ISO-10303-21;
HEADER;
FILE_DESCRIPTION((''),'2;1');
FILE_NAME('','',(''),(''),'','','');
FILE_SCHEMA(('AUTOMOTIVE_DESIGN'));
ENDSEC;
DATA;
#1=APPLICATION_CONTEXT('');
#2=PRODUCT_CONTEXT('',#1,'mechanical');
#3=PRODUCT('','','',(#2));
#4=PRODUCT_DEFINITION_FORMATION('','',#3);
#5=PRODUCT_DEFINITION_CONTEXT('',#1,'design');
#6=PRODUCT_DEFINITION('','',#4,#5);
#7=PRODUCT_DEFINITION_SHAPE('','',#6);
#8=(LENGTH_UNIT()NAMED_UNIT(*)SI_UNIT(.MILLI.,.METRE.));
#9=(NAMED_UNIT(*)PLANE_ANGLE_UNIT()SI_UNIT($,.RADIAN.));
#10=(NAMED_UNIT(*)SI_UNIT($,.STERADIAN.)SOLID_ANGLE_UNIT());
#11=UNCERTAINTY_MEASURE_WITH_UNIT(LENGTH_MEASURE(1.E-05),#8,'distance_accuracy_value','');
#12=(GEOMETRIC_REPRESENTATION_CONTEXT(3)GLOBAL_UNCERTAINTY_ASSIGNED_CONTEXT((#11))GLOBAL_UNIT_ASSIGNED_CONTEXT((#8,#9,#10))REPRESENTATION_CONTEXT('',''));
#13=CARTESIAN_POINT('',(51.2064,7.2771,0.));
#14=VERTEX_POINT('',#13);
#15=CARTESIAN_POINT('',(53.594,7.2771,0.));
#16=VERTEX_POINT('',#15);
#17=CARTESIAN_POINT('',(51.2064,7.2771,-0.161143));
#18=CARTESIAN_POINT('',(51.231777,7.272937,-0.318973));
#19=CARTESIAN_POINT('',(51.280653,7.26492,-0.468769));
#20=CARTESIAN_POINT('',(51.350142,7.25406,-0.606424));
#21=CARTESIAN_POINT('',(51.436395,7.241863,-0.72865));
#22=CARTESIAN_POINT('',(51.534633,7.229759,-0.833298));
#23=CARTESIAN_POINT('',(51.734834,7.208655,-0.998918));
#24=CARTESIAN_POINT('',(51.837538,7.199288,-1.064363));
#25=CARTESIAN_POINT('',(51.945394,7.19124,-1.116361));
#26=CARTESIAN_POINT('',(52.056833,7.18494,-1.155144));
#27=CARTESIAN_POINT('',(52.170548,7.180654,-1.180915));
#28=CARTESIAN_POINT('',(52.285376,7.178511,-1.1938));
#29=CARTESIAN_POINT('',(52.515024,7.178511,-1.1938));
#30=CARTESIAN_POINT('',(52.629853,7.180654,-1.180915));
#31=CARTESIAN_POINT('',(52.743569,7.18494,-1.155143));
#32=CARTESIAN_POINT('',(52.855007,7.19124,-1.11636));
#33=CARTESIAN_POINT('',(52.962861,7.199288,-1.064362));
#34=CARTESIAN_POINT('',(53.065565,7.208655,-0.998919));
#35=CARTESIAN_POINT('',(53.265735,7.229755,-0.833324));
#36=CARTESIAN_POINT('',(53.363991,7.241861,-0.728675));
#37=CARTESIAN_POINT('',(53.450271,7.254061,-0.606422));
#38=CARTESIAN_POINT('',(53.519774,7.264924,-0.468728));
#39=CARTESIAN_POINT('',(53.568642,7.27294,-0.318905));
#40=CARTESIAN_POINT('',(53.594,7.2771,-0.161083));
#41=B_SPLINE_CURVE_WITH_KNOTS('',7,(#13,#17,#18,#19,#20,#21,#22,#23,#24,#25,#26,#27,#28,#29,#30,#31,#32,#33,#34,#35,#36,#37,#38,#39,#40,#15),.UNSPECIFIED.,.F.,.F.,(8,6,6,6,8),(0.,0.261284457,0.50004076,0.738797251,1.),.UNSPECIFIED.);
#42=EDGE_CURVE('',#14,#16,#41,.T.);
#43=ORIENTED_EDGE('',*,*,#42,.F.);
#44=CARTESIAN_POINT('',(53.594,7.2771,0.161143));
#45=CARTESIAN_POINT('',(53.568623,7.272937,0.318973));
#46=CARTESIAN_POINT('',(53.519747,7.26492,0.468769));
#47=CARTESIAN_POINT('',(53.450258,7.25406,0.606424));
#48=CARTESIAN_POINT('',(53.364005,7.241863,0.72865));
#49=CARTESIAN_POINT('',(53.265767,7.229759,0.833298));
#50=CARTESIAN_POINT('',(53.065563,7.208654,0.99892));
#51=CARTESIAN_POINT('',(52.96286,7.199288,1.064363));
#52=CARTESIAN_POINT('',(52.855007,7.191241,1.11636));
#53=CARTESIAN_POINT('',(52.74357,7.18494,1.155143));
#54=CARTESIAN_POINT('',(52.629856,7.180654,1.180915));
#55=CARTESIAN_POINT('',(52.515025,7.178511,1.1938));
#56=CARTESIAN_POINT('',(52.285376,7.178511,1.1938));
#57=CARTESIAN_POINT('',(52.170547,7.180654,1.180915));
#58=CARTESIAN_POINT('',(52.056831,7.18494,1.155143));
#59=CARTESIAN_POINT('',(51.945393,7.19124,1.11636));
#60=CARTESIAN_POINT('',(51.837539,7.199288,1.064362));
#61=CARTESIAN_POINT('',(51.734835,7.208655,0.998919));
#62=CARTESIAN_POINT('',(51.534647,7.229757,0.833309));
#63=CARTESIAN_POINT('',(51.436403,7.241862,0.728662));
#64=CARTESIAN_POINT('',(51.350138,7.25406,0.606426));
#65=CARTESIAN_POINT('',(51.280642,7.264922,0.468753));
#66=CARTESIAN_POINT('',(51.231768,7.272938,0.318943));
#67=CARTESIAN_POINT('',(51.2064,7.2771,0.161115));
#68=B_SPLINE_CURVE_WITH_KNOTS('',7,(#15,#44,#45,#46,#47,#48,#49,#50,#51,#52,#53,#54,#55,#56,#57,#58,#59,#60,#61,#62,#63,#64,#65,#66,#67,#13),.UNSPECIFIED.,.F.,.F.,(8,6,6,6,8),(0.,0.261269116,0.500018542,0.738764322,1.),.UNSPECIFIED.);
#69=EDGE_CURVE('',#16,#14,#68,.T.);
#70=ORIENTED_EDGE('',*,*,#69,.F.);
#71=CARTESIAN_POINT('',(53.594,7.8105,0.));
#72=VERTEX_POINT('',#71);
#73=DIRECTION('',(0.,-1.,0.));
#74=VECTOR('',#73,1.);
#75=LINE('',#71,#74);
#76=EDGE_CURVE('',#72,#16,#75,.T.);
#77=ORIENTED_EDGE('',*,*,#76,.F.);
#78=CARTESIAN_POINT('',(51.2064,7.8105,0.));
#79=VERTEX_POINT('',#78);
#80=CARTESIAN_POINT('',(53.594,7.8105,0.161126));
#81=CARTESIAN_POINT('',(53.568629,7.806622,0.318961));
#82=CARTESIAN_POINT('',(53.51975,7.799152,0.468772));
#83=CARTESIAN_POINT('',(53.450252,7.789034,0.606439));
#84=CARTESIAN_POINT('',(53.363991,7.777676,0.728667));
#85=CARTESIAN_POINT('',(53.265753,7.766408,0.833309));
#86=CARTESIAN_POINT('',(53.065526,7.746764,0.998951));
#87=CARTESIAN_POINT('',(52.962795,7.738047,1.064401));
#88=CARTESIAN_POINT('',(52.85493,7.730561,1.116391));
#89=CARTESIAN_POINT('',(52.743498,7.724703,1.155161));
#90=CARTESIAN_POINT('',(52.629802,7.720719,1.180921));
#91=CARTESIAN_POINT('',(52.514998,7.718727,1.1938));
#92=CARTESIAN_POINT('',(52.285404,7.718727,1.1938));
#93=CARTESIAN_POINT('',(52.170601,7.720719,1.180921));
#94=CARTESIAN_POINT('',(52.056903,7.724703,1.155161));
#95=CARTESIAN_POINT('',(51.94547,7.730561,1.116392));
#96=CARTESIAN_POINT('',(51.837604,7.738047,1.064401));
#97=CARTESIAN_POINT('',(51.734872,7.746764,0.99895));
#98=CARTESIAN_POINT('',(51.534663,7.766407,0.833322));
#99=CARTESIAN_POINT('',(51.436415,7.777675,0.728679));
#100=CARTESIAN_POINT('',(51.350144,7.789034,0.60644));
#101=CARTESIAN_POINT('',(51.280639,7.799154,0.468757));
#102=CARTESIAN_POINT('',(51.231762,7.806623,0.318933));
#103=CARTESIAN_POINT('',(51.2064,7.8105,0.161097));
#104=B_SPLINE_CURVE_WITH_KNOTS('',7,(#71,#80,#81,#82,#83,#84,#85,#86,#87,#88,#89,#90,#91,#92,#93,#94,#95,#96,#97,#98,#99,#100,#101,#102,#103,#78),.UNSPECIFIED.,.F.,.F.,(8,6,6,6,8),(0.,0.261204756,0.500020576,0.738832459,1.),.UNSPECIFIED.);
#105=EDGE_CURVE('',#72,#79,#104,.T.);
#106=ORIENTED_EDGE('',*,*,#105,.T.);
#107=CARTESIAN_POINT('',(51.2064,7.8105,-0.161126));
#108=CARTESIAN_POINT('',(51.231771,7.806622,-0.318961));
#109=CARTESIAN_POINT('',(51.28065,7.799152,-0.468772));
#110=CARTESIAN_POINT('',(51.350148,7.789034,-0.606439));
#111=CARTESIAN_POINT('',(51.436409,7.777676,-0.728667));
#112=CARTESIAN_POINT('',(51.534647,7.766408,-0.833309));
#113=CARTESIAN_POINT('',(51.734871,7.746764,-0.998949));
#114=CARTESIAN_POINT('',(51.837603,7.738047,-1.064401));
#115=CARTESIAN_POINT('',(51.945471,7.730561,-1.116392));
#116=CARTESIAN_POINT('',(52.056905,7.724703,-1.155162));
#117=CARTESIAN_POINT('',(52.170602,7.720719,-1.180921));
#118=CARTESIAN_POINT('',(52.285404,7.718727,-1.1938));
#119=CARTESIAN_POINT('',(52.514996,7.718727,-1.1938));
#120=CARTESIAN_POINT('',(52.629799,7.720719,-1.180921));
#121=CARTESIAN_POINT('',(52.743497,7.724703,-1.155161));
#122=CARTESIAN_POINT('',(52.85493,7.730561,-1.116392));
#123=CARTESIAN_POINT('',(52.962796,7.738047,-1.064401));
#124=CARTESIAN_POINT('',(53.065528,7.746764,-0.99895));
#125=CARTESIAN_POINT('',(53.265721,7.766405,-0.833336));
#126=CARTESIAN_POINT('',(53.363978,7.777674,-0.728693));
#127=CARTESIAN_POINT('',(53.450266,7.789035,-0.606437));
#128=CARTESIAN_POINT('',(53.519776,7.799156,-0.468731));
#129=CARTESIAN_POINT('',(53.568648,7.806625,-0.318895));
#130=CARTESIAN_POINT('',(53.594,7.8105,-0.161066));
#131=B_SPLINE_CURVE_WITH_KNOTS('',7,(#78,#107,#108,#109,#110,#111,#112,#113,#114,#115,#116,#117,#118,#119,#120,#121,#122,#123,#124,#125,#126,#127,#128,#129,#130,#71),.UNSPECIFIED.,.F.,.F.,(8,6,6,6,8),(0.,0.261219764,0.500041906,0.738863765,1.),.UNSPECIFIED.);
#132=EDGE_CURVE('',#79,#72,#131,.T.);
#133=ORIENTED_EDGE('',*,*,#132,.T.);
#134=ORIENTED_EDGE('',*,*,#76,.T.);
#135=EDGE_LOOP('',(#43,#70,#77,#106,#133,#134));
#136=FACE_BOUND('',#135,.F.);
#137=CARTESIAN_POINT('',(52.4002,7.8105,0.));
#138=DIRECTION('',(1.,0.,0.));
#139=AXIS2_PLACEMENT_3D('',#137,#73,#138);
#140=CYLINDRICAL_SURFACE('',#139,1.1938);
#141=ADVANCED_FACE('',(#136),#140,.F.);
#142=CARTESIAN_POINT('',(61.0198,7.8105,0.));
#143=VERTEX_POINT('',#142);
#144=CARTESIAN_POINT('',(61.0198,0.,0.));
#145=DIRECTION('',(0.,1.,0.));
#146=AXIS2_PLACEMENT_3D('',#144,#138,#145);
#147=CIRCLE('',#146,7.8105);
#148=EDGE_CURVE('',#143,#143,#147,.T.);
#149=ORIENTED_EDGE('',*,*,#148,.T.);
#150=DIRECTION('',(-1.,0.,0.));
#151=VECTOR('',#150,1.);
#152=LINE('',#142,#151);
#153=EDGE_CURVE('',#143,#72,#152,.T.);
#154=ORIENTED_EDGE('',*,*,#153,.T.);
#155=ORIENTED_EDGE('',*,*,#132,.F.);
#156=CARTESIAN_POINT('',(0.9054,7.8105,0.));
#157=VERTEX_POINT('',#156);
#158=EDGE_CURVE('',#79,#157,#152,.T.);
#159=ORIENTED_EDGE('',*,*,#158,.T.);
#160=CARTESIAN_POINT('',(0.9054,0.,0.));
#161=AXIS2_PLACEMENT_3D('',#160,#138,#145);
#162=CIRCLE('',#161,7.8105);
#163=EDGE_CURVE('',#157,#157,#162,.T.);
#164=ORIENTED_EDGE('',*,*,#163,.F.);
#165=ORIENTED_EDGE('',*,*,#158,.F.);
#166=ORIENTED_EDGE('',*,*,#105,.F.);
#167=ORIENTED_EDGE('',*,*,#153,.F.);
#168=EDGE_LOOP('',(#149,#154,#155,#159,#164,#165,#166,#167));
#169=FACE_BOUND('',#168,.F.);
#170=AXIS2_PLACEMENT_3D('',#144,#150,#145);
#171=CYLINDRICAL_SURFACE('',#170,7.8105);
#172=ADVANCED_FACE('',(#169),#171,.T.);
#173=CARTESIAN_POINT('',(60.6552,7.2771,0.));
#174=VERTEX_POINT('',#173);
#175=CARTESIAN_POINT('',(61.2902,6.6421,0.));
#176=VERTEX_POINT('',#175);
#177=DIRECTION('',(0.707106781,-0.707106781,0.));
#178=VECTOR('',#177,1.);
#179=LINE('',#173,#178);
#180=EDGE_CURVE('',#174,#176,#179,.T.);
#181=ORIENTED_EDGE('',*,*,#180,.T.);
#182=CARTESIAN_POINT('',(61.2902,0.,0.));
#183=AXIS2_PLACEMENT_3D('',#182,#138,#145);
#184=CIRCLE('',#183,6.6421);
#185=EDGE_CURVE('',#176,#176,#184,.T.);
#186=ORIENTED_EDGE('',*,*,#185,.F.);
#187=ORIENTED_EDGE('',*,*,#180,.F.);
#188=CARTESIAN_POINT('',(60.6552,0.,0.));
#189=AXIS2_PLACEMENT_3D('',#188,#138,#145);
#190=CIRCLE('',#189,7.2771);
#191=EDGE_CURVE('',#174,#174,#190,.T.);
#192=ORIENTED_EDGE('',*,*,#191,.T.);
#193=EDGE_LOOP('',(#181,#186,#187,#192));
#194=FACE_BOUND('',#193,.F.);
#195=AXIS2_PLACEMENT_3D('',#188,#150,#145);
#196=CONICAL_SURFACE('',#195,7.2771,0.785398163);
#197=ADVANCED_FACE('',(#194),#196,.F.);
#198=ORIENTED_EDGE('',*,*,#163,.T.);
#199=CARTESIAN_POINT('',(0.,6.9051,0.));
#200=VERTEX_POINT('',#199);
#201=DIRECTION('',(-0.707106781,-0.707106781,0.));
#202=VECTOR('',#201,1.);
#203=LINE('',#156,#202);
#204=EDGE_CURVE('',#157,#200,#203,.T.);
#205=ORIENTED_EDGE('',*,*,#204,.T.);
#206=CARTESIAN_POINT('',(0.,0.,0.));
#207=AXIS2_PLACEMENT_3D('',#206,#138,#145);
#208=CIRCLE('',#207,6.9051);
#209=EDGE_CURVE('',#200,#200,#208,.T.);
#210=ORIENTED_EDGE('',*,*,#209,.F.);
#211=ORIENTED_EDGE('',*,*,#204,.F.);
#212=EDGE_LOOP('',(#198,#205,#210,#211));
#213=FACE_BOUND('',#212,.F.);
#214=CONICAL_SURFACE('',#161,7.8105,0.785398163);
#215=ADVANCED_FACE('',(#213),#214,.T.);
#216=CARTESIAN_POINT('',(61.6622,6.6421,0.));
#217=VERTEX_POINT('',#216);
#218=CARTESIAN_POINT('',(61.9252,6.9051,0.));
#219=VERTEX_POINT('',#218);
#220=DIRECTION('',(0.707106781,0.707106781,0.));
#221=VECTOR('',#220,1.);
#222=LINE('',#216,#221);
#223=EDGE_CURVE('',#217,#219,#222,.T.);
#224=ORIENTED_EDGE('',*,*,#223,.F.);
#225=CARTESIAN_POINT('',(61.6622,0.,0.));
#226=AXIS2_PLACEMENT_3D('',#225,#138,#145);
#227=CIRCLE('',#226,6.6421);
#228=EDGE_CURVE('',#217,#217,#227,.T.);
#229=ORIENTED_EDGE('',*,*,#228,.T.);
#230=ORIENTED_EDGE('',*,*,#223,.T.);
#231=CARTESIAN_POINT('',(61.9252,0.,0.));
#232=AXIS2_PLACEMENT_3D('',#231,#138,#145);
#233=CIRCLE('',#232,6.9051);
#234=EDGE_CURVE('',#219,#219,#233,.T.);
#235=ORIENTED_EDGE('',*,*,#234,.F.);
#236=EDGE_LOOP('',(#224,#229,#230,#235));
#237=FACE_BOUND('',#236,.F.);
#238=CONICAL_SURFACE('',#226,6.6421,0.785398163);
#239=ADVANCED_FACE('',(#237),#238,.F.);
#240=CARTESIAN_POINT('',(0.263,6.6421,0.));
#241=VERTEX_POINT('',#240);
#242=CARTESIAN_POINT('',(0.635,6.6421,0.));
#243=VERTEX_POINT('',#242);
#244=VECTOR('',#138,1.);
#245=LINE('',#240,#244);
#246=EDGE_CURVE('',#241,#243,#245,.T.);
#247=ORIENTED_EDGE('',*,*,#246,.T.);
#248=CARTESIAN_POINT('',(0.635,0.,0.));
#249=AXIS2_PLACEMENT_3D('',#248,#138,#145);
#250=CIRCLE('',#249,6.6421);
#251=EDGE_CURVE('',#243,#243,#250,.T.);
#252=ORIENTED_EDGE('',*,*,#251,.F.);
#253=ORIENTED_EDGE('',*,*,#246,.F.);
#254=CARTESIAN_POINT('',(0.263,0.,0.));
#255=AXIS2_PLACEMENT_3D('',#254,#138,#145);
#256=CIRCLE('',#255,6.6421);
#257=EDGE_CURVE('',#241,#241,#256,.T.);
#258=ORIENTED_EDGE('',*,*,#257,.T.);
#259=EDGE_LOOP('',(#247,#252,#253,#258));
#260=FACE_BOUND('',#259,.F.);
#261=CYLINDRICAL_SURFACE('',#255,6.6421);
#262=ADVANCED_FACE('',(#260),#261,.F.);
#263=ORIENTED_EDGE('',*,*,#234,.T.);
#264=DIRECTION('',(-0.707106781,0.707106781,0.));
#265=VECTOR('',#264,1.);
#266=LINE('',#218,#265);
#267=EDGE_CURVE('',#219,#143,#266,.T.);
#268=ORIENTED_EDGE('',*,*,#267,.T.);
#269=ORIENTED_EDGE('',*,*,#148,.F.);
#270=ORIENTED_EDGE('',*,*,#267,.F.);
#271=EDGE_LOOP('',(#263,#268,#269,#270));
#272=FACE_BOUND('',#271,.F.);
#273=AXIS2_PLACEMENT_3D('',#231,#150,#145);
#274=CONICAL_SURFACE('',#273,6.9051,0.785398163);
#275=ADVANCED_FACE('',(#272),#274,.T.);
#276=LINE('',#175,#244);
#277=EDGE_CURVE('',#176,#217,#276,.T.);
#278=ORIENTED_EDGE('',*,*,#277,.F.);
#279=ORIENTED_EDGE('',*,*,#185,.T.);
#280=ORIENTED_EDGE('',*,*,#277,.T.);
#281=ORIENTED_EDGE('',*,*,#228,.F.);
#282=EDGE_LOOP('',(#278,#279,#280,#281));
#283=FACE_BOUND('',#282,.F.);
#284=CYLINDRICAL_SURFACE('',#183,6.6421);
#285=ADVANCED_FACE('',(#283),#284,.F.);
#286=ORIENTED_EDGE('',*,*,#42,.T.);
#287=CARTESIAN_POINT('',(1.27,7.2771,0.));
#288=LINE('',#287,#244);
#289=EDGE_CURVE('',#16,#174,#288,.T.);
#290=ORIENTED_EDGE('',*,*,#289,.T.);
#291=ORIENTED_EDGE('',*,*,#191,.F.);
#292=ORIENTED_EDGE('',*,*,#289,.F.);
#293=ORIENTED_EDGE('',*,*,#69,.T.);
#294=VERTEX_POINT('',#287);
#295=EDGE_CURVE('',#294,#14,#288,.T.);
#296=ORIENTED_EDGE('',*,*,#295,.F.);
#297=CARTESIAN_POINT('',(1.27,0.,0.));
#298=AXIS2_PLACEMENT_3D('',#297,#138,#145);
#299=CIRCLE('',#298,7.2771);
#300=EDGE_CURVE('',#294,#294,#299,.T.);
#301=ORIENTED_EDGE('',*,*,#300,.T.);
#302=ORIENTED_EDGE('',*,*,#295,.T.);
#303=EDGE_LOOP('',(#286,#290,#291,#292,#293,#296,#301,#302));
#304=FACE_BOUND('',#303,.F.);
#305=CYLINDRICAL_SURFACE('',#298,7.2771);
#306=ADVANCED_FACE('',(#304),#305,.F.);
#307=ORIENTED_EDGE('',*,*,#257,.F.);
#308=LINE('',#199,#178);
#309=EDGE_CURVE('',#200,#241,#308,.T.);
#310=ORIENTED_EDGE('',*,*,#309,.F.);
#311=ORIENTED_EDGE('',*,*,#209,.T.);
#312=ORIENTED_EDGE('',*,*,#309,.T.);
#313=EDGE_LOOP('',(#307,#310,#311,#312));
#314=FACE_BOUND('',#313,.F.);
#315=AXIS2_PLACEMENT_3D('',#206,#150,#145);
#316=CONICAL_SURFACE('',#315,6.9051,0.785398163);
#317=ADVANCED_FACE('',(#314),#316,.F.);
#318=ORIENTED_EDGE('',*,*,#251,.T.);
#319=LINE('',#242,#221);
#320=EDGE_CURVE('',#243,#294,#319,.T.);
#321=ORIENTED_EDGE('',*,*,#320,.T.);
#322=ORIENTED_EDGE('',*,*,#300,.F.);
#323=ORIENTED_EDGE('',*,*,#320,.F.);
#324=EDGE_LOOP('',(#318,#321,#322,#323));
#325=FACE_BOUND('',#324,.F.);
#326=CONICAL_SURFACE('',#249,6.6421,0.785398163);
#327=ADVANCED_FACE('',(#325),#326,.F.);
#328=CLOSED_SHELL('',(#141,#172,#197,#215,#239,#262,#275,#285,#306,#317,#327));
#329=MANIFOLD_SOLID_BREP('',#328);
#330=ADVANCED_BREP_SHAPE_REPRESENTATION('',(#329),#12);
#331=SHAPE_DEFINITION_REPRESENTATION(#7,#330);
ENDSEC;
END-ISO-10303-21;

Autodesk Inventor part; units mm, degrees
sketch "Sketch_5" plane through (0, 0, 0) normal (0, 0, 1) x (1, 0, 0)
  line L0 (61.9252, 0) -> (-61.9252, 0)
  line L1 (0, 6.9051) -> (0.263, 6.6421)
  line L2 (0.263, 6.6421) -> (0.635, 6.6421)
  line L3 (0.635, 6.6421) -> (1.27, 7.2771)
  line L4 (1.27, 7.2771) -> (60.6552, 7.2771)
  line L5 (60.6552, 7.2771) -> (61.2902, 6.6421)
  line L6 (61.2902, 6.6421) -> (61.6622, 6.6421)
  line L7 (61.6622, 6.6421) -> (61.9252, 6.9051)
  line L8 (61.9252, 6.9051) -> (61.0198, 7.8105)
  line L9 (61.0198, 7.8105) -> (0.9054, 7.8105)
  line L10 (0.9054, 7.8105) -> (0, 6.9051)
revolve "Revolution1" add sketch "Sketch_5" angle 360 about axis through (61.9252, 0, 0) along (1, 0, 0)
sketch "Sketch_1" plane through (0, 0, 0) normal (0, 0, 1) x (1, 0, 0)
  line L0 (52.4002, 0) -> (52.4002, 7.8105)
  line L1 (52.4002, 7.8105) -> (53.594, 7.8105)
  line L2 (53.594, 7.8105) -> (53.594, 0)
  line L3 (53.594, 0) -> (52.4002, 0)
  line L4 (52.4002, 0) -> (52.4002, 7.8105)
revolve "Revolution2" cut sketch "Sketch_1" angle 360 about axis through (52.4002, 0, 0) along (0, -1, 0)
ref_plane "o1_XY" through (0, -7.8105, 0) normal (1, 0, 0) x (0, 0, -1)
ref_plane "o1_YZ" through (0, -7.8105, 0) normal (0, 0, -1) x (0, 1, 0)
ref_plane "o1_ZX" through (0, -7.8105, 0) normal (0, 1, 0) x (1, 0, 0)
ref_plane "o2_XY" through (0, 7.8105, 0) normal (1, 0, 0) x (0, 0, -1)
ref_plane "o2_YZ" through (0, 7.8105, 0) normal (0, 0, -1) x (0, 1, 0)
ref_plane "o2_ZX" through (0, 7.8105, 0) normal (0, 1, 0) x (1, 0, 0)
ref_plane "t1_XY" through (30.9626, 7.8105, 0) normal (1, 0, 0) x (0, 0, -1)
ref_plane "t1_YZ" through (30.9626, 7.8105, 0) normal (0, 0, -1) x (0, 1, 0)
ref_plane "t1_ZX" through (30.9626, 7.8105, 0) normal (0, 1, 0) x (1, 0, 0)
ref_plane "t2_XY" through (30.9626, 0, -7.8105) normal (1, 0, 0) x (0, 0, -1)
ref_plane "t2_YZ" through (30.9626, 0, -7.8105) normal (0, 0, -1) x (0, 1, 0)
ref_plane "t2_ZX" through (30.9626, 0, -7.8105) normal (0, 1, 0) x (1, 0, 0)
ref_plane "t3_XY" through (30.9626, -7.8105, 0) normal (1, 0, 0) x (0, 0, -1)
ref_plane "t3_YZ" through (30.9626, -7.8105, 0) normal (0, 0, -1) x (0, 1, 0)
ref_plane "t3_ZX" through (30.9626, -7.8105, 0) normal (0, 1, 0) x (1, 0, 0)
ref_plane "t4_XY" through (30.9626, 0, 7.8105) normal (1, 0, 0) x (0, 0, -1)
ref_plane "t4_YZ" through (30.9626, 0, 7.8105) normal (0, 0, -1) x (0, 1, 0)
ref_plane "t4_ZX" through (30.9626, 0, 7.8105) normal (0, 1, 0) x (1, 0, 0)
ref_plane "tube1_XY" through (1.27, 0, 0) normal (1, 0, 0) x (0, 0, -1)
ref_plane "tube1_YZ" through (1.27, 0, 0) normal (0, 0, -1) x (0, 1, 0)
ref_plane "tube1_ZX" through (1.27, 0, 0) normal (0, 1, 0) x (1, 0, 0)
ref_plane "tube2_XY" through (60.6552, 0, 0) normal (1, 0, 0) x (0, 0, -1)
ref_plane "tube2_YZ" through (60.6552, 0, 0) normal (0, 0, -1) x (0, 1, 0)
ref_plane "tube2_ZX" through (60.6552, 0, 0) normal (0, 1, 0) x (1, 0, 0)
properties part number "D-75938-2.438"
